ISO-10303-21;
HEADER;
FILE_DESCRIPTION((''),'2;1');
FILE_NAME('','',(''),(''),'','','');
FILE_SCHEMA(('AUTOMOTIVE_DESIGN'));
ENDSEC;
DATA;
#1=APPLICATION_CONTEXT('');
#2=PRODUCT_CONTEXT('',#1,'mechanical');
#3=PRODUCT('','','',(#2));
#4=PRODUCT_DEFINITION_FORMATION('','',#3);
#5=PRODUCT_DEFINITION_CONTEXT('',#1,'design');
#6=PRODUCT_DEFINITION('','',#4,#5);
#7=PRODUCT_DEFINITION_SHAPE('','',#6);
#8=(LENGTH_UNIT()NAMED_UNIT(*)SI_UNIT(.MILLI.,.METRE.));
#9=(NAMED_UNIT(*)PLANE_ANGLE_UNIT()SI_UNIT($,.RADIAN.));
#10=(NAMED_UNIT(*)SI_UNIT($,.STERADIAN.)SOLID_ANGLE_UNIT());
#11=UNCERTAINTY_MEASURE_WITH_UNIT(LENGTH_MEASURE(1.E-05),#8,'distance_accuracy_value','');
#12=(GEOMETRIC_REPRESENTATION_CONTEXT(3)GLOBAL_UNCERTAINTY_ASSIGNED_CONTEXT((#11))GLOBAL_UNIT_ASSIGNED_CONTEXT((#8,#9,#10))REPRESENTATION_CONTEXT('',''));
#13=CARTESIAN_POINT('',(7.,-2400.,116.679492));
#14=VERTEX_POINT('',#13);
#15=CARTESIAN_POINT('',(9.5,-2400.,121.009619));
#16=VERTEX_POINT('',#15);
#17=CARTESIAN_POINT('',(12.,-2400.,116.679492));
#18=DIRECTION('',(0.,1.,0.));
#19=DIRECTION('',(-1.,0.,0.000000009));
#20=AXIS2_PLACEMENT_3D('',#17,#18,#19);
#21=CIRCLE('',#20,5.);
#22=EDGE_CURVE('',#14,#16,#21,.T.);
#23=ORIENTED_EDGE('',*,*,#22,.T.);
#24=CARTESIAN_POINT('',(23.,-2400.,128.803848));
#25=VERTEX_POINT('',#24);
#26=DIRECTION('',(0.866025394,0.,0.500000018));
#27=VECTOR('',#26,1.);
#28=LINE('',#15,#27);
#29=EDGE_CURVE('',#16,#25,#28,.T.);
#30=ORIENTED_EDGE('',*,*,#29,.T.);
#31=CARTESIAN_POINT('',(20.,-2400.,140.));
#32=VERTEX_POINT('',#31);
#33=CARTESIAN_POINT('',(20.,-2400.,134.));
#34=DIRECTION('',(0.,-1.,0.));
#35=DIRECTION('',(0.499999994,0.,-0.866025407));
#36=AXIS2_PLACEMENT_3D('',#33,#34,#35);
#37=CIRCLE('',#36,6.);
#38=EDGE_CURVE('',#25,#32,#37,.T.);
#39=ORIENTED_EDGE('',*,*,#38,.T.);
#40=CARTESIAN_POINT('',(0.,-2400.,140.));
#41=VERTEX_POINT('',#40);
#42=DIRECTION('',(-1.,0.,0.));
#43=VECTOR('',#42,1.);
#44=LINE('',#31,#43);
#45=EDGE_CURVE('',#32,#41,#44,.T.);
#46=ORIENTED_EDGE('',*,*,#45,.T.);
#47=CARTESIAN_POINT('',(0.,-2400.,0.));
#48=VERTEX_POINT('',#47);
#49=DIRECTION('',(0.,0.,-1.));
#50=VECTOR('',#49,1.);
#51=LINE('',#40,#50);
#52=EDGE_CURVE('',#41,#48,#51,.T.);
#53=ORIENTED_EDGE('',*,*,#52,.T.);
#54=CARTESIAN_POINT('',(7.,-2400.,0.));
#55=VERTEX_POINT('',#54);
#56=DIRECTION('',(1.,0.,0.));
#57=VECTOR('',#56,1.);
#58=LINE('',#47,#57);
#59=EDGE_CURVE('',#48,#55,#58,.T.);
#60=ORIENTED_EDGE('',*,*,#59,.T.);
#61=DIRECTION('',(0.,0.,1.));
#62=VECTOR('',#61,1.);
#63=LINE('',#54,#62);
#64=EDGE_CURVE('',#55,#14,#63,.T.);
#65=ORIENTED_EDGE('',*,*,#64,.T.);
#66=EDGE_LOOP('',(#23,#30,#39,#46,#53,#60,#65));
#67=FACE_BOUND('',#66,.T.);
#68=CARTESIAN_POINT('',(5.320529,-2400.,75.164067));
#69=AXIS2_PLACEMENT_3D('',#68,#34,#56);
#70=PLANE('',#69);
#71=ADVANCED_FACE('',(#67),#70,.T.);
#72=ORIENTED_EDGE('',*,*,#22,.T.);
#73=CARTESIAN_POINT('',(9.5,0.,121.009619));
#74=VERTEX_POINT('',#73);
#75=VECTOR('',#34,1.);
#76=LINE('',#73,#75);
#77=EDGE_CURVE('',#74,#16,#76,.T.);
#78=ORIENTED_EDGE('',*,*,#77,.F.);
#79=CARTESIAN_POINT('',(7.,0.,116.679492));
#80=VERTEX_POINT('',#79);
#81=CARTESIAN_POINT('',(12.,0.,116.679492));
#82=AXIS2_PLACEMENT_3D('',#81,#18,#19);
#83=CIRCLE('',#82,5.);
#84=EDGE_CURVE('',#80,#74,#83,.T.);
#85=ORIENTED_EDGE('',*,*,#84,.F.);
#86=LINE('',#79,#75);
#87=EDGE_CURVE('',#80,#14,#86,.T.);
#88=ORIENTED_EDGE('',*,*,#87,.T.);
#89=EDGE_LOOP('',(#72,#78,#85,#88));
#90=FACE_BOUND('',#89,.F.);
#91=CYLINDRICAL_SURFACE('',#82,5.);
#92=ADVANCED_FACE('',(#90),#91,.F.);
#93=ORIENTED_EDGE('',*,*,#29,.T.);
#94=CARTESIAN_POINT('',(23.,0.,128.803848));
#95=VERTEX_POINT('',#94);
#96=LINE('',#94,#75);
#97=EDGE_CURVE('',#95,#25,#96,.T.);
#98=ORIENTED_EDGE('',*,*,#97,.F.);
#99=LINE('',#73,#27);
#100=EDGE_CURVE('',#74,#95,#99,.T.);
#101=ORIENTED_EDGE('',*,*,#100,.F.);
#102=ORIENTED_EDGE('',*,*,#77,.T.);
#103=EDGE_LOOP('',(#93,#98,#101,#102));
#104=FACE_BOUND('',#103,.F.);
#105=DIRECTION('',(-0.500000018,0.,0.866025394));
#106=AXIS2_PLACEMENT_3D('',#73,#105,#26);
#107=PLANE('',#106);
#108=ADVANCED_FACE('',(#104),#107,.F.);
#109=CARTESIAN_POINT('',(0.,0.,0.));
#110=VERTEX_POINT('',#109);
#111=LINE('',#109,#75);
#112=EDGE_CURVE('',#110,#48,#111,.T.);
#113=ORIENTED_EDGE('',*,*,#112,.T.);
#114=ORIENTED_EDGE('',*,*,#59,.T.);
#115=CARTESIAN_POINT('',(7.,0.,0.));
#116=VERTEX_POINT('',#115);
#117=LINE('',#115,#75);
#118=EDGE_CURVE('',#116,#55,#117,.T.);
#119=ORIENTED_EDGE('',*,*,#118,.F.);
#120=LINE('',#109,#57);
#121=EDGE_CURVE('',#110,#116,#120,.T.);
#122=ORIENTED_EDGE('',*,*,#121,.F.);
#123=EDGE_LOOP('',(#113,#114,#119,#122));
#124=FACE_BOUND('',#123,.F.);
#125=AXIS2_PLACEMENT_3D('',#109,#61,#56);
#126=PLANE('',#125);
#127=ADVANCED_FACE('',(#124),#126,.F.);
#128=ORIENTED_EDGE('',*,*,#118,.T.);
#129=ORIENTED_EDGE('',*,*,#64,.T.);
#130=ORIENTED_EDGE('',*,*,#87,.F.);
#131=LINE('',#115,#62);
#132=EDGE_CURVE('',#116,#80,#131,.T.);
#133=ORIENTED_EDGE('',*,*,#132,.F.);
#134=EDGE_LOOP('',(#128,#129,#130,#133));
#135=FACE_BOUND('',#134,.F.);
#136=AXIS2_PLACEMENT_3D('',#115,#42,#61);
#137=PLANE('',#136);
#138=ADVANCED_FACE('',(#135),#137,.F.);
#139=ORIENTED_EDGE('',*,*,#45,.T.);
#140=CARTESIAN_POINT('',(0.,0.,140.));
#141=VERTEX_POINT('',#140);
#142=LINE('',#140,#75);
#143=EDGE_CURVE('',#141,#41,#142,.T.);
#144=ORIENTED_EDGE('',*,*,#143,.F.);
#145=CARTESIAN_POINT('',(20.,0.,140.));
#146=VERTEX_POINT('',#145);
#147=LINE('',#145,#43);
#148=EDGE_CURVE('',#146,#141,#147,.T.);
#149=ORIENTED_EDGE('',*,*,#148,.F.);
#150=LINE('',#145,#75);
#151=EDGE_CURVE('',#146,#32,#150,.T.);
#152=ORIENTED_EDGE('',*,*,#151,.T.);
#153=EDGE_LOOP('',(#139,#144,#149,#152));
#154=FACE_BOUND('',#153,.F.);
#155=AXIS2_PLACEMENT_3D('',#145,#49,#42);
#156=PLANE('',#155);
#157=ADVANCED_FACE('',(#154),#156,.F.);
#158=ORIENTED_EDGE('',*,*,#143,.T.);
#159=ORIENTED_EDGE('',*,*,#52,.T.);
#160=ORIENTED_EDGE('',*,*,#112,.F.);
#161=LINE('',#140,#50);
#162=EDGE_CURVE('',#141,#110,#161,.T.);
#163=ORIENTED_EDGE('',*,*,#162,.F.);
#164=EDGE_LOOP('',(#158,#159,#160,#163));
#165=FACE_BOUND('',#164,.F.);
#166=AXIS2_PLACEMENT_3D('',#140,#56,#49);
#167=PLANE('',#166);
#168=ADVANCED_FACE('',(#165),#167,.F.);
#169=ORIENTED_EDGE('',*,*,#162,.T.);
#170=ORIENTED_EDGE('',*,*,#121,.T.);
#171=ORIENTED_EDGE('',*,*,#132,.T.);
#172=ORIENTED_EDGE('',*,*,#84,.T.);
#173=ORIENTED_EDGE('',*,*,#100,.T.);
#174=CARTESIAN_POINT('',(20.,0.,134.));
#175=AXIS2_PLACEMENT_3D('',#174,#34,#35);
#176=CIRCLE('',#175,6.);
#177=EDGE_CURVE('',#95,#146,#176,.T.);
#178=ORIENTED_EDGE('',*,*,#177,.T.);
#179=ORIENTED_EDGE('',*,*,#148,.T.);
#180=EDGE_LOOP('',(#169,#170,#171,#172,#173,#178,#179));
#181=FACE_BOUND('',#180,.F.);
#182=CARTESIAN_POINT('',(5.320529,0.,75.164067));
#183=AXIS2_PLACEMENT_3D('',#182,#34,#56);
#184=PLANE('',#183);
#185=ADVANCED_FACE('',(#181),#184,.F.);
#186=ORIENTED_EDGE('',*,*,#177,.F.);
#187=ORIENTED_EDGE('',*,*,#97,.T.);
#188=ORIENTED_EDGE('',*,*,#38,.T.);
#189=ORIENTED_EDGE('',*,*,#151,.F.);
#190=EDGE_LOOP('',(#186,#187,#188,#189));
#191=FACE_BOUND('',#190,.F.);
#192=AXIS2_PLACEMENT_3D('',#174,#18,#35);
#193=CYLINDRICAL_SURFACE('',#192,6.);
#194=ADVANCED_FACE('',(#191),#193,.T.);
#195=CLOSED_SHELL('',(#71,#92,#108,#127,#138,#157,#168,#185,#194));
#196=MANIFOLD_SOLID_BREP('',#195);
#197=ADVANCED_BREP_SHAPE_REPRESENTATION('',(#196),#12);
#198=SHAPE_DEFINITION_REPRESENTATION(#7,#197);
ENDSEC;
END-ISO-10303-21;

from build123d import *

# Parameters (mm, degrees)
F1_DEPTH = 2400


with BuildPart() as f1:
    # F0 (on Front) → F1 (new body)
    with BuildSketch(Plane.XZ):
        with BuildLine():
            Line((0, 140), (0, 0))
            Line((0, 0), (7, 0))
            Line((7, 0), (7, 116.679492))
            ThreePointArc((7, 116.679492), (7.669873, 119.179492), (9.5, 121.009619))
            Line((9.5, 121.009619), (23, 128.803848))
            ThreePointArc((23, 128.803848), (25.795555, 135.552914), (20, 140))
            Line((20, 140), (0, 140))
        make_face()
    extrude(amount=F1_DEPTH)


solid = f1.part
